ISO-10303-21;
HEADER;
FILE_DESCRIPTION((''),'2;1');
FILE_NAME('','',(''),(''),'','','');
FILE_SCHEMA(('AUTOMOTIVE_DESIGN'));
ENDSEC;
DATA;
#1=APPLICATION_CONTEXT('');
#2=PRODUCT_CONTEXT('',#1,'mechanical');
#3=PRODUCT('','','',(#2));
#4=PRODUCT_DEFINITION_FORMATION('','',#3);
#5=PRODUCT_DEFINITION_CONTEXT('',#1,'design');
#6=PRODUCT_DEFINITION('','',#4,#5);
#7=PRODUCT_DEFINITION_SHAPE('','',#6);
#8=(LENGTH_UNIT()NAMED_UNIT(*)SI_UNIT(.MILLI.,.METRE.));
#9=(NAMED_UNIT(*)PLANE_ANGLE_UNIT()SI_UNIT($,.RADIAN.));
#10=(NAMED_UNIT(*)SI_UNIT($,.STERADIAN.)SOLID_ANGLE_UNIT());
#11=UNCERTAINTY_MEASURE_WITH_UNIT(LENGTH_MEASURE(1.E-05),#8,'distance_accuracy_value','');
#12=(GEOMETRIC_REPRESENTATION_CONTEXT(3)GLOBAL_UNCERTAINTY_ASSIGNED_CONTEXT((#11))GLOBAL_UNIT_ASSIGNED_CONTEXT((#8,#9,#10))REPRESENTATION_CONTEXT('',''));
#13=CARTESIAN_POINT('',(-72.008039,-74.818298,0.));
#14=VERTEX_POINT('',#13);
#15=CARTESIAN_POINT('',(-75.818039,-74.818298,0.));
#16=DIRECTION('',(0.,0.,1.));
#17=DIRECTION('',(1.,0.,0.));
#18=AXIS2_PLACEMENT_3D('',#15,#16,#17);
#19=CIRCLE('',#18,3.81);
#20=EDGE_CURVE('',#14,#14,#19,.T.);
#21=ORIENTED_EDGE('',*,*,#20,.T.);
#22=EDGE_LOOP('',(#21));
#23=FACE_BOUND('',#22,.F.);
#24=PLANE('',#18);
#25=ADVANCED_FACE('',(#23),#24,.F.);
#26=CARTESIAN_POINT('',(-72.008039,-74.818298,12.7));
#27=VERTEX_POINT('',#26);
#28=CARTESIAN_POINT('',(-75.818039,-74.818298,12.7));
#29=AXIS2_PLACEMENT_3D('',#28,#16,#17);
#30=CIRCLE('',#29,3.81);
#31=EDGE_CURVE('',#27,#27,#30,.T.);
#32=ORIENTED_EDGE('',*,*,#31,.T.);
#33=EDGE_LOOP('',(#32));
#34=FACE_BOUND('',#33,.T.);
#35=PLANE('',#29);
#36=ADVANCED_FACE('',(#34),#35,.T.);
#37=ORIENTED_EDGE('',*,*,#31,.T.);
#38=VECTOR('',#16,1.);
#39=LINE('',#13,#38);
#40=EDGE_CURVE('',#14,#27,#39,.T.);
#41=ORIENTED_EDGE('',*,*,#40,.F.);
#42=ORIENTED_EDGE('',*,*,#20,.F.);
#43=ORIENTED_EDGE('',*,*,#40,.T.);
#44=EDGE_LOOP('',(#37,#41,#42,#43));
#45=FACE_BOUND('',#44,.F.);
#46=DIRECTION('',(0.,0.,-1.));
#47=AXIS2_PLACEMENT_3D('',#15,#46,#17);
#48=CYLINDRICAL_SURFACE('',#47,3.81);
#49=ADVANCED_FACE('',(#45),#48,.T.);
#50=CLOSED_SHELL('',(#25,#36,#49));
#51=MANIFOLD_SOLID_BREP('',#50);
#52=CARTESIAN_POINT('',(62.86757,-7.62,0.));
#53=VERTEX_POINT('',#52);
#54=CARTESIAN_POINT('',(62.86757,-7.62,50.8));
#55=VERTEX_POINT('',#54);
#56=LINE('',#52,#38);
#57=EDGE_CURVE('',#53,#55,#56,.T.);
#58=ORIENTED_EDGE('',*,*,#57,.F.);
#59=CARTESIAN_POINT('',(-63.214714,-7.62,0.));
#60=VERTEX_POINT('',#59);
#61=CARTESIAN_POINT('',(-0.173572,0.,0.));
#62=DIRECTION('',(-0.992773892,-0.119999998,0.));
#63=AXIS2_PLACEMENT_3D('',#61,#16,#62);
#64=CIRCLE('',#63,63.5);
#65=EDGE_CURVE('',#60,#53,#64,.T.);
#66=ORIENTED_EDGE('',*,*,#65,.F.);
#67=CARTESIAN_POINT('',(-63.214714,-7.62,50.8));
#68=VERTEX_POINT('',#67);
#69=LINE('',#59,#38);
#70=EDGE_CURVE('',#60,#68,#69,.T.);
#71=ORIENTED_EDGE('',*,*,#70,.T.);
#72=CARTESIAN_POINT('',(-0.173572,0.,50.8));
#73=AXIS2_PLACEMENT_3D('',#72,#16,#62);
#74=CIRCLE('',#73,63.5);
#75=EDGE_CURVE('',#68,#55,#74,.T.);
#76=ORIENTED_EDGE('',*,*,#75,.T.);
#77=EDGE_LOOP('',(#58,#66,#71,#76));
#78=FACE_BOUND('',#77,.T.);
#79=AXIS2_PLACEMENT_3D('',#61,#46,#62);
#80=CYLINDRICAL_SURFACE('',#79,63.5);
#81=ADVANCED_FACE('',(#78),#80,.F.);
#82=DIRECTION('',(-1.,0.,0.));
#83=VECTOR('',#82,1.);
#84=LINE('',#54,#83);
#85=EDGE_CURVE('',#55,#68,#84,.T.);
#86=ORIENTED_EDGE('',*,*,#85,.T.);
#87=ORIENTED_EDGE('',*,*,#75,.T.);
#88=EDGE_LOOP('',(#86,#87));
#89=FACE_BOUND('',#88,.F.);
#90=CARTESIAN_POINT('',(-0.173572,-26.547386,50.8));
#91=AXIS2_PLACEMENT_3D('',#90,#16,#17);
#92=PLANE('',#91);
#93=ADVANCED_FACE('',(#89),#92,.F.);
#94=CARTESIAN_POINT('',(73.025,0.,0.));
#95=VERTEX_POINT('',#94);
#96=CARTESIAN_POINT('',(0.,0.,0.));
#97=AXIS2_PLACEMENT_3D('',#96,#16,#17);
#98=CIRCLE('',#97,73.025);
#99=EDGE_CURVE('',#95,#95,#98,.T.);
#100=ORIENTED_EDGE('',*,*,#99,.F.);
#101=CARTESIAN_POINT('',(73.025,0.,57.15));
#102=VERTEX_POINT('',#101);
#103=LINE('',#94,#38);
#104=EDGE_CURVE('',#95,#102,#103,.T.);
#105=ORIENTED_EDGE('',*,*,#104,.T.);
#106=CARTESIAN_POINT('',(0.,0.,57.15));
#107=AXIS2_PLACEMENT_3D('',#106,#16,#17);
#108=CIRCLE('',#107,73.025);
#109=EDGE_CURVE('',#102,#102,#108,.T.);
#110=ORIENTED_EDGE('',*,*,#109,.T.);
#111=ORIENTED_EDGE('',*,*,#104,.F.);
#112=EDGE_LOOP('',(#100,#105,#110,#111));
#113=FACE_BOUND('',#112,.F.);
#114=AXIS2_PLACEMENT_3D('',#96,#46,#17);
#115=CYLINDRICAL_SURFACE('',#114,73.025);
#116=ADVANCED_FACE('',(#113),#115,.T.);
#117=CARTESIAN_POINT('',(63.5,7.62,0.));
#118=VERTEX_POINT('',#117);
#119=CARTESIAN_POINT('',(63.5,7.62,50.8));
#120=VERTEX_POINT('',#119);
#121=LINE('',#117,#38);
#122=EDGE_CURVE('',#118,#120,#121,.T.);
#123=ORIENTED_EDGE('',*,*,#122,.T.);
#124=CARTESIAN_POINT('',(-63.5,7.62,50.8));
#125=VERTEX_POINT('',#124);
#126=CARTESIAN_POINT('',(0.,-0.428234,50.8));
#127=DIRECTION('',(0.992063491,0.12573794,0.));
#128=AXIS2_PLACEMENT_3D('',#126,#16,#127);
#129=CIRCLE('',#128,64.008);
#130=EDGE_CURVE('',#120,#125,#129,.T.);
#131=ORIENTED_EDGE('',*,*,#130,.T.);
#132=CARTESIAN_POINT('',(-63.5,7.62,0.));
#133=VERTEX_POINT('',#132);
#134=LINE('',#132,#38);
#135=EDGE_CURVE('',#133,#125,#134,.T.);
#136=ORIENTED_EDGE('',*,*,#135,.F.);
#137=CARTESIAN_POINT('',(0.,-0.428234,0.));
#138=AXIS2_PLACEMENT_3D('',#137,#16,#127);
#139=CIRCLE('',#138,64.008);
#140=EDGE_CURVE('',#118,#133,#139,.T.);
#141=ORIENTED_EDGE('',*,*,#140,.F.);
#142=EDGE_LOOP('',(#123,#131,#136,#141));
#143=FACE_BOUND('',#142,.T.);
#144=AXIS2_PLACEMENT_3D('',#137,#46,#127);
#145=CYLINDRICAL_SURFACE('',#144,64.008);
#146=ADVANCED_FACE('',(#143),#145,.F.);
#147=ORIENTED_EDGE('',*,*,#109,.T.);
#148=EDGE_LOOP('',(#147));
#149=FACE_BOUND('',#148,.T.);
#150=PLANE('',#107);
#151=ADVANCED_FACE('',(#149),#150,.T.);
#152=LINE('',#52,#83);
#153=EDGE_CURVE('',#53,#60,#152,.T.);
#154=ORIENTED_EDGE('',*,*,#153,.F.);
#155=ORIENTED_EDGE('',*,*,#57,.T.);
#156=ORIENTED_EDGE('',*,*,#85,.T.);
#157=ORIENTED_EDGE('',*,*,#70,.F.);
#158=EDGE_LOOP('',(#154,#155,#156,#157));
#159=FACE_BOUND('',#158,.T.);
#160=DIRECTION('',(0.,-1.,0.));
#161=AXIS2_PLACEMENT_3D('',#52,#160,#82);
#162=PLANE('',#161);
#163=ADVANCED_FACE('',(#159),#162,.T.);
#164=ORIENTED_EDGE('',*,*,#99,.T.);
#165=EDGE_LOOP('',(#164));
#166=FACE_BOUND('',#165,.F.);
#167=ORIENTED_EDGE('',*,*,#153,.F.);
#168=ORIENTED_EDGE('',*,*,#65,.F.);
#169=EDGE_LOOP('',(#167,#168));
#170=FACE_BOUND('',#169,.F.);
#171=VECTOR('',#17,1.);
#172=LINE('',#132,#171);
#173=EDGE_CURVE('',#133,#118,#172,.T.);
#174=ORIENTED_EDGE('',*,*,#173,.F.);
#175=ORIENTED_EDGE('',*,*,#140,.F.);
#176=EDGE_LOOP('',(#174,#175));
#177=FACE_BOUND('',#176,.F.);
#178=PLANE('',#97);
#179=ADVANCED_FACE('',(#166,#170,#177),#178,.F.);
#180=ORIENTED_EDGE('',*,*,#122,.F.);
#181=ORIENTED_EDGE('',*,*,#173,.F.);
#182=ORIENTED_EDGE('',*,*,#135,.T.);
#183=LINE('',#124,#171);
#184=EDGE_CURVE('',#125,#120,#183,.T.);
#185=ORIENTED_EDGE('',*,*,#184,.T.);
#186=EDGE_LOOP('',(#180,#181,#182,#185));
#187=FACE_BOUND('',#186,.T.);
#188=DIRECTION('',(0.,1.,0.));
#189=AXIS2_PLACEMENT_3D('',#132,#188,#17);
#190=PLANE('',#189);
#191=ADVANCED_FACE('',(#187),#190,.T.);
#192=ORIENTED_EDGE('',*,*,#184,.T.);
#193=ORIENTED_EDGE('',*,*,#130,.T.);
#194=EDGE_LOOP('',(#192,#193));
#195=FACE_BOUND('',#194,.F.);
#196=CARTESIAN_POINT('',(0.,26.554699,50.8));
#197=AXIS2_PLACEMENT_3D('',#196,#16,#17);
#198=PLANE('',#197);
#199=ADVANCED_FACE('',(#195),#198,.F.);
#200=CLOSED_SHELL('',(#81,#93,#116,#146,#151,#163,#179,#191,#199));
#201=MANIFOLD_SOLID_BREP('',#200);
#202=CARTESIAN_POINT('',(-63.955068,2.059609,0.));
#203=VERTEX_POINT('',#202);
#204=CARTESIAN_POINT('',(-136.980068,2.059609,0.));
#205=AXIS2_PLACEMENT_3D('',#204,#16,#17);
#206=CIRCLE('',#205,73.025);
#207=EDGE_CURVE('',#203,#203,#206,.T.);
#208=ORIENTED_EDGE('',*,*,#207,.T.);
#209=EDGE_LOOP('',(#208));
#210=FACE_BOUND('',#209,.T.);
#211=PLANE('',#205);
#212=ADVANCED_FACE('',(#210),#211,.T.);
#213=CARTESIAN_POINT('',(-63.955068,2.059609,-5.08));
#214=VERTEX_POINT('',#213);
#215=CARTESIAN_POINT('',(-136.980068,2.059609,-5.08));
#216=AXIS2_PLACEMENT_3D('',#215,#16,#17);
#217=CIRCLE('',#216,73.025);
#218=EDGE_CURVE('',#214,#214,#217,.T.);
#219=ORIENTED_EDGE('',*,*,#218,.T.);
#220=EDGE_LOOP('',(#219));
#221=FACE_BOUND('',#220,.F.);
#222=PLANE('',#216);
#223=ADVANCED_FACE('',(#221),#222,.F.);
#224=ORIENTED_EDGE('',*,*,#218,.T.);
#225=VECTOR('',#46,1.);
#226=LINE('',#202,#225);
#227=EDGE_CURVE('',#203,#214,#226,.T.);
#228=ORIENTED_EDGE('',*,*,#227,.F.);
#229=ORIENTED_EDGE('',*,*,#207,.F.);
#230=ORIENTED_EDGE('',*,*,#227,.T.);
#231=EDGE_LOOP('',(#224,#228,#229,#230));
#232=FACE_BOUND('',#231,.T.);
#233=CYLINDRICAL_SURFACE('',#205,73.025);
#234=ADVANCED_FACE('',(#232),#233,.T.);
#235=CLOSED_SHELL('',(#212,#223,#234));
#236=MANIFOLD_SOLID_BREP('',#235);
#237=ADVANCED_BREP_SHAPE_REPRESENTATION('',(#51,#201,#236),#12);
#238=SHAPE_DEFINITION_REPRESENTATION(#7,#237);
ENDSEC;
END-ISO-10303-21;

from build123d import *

# Parameters (mm, degrees)
F0_R     = 73.025
F1_DEPTH = 57.15
F2_R     = 73.025
F3_DEPTH = 5.08
F5_DEPTH = 50.8
F7_DEPTH = 50.8
F8_R     = 3.81
F9_DEPTH = 12.7


with BuildPart() as f1:
    # F0 (on Top) → F1 (new body)
    with BuildSketch(Plane.XY):
        Circle(F0_R)
    extrude(amount=F1_DEPTH)

    # F4 (on Top) → F5 (cut)
    with BuildSketch(Plane.XY):
        with BuildLine():
            Line((0, -7.62), (-63.214714, -7.62))
            ThreePointArc((-63.214714, -7.62), (-0.173572, -63.5), (62.86757, -7.62))
            Line((62.86757, -7.62), (0, -7.62))
        make_face()
    extrude(amount=F5_DEPTH, mode=Mode.SUBTRACT)

    # F6 (on Top) → F7 (cut)
    with BuildSketch(Plane.XY):
        with BuildLine():
            Line((-63.5, 7.62), (0, 7.62))
            Line((0, 7.62), (63.5, 7.62))
            ThreePointArc((63.5, 7.62), (0, 63.579766), (-63.5, 7.62))
        make_face()
    extrude(amount=F7_DEPTH, mode=Mode.SUBTRACT)


with BuildPart() as f3:
    # F2 (on Top) → F3 (new body)
    with BuildSketch(Plane.XY):
        with Locations((-136.980068, 2.059609)):
            Circle(F2_R)
    extrude(amount=-F3_DEPTH)


with BuildPart() as f9:
    # F8 (on Top) → F9 (new body)
    with BuildSketch(Plane.XY):
        with Locations((-75.818039, -74.818298)):
            Circle(F8_R)
    extrude(amount=F9_DEPTH)


solid = Compound([f1.part, f3.part, f9.part])
